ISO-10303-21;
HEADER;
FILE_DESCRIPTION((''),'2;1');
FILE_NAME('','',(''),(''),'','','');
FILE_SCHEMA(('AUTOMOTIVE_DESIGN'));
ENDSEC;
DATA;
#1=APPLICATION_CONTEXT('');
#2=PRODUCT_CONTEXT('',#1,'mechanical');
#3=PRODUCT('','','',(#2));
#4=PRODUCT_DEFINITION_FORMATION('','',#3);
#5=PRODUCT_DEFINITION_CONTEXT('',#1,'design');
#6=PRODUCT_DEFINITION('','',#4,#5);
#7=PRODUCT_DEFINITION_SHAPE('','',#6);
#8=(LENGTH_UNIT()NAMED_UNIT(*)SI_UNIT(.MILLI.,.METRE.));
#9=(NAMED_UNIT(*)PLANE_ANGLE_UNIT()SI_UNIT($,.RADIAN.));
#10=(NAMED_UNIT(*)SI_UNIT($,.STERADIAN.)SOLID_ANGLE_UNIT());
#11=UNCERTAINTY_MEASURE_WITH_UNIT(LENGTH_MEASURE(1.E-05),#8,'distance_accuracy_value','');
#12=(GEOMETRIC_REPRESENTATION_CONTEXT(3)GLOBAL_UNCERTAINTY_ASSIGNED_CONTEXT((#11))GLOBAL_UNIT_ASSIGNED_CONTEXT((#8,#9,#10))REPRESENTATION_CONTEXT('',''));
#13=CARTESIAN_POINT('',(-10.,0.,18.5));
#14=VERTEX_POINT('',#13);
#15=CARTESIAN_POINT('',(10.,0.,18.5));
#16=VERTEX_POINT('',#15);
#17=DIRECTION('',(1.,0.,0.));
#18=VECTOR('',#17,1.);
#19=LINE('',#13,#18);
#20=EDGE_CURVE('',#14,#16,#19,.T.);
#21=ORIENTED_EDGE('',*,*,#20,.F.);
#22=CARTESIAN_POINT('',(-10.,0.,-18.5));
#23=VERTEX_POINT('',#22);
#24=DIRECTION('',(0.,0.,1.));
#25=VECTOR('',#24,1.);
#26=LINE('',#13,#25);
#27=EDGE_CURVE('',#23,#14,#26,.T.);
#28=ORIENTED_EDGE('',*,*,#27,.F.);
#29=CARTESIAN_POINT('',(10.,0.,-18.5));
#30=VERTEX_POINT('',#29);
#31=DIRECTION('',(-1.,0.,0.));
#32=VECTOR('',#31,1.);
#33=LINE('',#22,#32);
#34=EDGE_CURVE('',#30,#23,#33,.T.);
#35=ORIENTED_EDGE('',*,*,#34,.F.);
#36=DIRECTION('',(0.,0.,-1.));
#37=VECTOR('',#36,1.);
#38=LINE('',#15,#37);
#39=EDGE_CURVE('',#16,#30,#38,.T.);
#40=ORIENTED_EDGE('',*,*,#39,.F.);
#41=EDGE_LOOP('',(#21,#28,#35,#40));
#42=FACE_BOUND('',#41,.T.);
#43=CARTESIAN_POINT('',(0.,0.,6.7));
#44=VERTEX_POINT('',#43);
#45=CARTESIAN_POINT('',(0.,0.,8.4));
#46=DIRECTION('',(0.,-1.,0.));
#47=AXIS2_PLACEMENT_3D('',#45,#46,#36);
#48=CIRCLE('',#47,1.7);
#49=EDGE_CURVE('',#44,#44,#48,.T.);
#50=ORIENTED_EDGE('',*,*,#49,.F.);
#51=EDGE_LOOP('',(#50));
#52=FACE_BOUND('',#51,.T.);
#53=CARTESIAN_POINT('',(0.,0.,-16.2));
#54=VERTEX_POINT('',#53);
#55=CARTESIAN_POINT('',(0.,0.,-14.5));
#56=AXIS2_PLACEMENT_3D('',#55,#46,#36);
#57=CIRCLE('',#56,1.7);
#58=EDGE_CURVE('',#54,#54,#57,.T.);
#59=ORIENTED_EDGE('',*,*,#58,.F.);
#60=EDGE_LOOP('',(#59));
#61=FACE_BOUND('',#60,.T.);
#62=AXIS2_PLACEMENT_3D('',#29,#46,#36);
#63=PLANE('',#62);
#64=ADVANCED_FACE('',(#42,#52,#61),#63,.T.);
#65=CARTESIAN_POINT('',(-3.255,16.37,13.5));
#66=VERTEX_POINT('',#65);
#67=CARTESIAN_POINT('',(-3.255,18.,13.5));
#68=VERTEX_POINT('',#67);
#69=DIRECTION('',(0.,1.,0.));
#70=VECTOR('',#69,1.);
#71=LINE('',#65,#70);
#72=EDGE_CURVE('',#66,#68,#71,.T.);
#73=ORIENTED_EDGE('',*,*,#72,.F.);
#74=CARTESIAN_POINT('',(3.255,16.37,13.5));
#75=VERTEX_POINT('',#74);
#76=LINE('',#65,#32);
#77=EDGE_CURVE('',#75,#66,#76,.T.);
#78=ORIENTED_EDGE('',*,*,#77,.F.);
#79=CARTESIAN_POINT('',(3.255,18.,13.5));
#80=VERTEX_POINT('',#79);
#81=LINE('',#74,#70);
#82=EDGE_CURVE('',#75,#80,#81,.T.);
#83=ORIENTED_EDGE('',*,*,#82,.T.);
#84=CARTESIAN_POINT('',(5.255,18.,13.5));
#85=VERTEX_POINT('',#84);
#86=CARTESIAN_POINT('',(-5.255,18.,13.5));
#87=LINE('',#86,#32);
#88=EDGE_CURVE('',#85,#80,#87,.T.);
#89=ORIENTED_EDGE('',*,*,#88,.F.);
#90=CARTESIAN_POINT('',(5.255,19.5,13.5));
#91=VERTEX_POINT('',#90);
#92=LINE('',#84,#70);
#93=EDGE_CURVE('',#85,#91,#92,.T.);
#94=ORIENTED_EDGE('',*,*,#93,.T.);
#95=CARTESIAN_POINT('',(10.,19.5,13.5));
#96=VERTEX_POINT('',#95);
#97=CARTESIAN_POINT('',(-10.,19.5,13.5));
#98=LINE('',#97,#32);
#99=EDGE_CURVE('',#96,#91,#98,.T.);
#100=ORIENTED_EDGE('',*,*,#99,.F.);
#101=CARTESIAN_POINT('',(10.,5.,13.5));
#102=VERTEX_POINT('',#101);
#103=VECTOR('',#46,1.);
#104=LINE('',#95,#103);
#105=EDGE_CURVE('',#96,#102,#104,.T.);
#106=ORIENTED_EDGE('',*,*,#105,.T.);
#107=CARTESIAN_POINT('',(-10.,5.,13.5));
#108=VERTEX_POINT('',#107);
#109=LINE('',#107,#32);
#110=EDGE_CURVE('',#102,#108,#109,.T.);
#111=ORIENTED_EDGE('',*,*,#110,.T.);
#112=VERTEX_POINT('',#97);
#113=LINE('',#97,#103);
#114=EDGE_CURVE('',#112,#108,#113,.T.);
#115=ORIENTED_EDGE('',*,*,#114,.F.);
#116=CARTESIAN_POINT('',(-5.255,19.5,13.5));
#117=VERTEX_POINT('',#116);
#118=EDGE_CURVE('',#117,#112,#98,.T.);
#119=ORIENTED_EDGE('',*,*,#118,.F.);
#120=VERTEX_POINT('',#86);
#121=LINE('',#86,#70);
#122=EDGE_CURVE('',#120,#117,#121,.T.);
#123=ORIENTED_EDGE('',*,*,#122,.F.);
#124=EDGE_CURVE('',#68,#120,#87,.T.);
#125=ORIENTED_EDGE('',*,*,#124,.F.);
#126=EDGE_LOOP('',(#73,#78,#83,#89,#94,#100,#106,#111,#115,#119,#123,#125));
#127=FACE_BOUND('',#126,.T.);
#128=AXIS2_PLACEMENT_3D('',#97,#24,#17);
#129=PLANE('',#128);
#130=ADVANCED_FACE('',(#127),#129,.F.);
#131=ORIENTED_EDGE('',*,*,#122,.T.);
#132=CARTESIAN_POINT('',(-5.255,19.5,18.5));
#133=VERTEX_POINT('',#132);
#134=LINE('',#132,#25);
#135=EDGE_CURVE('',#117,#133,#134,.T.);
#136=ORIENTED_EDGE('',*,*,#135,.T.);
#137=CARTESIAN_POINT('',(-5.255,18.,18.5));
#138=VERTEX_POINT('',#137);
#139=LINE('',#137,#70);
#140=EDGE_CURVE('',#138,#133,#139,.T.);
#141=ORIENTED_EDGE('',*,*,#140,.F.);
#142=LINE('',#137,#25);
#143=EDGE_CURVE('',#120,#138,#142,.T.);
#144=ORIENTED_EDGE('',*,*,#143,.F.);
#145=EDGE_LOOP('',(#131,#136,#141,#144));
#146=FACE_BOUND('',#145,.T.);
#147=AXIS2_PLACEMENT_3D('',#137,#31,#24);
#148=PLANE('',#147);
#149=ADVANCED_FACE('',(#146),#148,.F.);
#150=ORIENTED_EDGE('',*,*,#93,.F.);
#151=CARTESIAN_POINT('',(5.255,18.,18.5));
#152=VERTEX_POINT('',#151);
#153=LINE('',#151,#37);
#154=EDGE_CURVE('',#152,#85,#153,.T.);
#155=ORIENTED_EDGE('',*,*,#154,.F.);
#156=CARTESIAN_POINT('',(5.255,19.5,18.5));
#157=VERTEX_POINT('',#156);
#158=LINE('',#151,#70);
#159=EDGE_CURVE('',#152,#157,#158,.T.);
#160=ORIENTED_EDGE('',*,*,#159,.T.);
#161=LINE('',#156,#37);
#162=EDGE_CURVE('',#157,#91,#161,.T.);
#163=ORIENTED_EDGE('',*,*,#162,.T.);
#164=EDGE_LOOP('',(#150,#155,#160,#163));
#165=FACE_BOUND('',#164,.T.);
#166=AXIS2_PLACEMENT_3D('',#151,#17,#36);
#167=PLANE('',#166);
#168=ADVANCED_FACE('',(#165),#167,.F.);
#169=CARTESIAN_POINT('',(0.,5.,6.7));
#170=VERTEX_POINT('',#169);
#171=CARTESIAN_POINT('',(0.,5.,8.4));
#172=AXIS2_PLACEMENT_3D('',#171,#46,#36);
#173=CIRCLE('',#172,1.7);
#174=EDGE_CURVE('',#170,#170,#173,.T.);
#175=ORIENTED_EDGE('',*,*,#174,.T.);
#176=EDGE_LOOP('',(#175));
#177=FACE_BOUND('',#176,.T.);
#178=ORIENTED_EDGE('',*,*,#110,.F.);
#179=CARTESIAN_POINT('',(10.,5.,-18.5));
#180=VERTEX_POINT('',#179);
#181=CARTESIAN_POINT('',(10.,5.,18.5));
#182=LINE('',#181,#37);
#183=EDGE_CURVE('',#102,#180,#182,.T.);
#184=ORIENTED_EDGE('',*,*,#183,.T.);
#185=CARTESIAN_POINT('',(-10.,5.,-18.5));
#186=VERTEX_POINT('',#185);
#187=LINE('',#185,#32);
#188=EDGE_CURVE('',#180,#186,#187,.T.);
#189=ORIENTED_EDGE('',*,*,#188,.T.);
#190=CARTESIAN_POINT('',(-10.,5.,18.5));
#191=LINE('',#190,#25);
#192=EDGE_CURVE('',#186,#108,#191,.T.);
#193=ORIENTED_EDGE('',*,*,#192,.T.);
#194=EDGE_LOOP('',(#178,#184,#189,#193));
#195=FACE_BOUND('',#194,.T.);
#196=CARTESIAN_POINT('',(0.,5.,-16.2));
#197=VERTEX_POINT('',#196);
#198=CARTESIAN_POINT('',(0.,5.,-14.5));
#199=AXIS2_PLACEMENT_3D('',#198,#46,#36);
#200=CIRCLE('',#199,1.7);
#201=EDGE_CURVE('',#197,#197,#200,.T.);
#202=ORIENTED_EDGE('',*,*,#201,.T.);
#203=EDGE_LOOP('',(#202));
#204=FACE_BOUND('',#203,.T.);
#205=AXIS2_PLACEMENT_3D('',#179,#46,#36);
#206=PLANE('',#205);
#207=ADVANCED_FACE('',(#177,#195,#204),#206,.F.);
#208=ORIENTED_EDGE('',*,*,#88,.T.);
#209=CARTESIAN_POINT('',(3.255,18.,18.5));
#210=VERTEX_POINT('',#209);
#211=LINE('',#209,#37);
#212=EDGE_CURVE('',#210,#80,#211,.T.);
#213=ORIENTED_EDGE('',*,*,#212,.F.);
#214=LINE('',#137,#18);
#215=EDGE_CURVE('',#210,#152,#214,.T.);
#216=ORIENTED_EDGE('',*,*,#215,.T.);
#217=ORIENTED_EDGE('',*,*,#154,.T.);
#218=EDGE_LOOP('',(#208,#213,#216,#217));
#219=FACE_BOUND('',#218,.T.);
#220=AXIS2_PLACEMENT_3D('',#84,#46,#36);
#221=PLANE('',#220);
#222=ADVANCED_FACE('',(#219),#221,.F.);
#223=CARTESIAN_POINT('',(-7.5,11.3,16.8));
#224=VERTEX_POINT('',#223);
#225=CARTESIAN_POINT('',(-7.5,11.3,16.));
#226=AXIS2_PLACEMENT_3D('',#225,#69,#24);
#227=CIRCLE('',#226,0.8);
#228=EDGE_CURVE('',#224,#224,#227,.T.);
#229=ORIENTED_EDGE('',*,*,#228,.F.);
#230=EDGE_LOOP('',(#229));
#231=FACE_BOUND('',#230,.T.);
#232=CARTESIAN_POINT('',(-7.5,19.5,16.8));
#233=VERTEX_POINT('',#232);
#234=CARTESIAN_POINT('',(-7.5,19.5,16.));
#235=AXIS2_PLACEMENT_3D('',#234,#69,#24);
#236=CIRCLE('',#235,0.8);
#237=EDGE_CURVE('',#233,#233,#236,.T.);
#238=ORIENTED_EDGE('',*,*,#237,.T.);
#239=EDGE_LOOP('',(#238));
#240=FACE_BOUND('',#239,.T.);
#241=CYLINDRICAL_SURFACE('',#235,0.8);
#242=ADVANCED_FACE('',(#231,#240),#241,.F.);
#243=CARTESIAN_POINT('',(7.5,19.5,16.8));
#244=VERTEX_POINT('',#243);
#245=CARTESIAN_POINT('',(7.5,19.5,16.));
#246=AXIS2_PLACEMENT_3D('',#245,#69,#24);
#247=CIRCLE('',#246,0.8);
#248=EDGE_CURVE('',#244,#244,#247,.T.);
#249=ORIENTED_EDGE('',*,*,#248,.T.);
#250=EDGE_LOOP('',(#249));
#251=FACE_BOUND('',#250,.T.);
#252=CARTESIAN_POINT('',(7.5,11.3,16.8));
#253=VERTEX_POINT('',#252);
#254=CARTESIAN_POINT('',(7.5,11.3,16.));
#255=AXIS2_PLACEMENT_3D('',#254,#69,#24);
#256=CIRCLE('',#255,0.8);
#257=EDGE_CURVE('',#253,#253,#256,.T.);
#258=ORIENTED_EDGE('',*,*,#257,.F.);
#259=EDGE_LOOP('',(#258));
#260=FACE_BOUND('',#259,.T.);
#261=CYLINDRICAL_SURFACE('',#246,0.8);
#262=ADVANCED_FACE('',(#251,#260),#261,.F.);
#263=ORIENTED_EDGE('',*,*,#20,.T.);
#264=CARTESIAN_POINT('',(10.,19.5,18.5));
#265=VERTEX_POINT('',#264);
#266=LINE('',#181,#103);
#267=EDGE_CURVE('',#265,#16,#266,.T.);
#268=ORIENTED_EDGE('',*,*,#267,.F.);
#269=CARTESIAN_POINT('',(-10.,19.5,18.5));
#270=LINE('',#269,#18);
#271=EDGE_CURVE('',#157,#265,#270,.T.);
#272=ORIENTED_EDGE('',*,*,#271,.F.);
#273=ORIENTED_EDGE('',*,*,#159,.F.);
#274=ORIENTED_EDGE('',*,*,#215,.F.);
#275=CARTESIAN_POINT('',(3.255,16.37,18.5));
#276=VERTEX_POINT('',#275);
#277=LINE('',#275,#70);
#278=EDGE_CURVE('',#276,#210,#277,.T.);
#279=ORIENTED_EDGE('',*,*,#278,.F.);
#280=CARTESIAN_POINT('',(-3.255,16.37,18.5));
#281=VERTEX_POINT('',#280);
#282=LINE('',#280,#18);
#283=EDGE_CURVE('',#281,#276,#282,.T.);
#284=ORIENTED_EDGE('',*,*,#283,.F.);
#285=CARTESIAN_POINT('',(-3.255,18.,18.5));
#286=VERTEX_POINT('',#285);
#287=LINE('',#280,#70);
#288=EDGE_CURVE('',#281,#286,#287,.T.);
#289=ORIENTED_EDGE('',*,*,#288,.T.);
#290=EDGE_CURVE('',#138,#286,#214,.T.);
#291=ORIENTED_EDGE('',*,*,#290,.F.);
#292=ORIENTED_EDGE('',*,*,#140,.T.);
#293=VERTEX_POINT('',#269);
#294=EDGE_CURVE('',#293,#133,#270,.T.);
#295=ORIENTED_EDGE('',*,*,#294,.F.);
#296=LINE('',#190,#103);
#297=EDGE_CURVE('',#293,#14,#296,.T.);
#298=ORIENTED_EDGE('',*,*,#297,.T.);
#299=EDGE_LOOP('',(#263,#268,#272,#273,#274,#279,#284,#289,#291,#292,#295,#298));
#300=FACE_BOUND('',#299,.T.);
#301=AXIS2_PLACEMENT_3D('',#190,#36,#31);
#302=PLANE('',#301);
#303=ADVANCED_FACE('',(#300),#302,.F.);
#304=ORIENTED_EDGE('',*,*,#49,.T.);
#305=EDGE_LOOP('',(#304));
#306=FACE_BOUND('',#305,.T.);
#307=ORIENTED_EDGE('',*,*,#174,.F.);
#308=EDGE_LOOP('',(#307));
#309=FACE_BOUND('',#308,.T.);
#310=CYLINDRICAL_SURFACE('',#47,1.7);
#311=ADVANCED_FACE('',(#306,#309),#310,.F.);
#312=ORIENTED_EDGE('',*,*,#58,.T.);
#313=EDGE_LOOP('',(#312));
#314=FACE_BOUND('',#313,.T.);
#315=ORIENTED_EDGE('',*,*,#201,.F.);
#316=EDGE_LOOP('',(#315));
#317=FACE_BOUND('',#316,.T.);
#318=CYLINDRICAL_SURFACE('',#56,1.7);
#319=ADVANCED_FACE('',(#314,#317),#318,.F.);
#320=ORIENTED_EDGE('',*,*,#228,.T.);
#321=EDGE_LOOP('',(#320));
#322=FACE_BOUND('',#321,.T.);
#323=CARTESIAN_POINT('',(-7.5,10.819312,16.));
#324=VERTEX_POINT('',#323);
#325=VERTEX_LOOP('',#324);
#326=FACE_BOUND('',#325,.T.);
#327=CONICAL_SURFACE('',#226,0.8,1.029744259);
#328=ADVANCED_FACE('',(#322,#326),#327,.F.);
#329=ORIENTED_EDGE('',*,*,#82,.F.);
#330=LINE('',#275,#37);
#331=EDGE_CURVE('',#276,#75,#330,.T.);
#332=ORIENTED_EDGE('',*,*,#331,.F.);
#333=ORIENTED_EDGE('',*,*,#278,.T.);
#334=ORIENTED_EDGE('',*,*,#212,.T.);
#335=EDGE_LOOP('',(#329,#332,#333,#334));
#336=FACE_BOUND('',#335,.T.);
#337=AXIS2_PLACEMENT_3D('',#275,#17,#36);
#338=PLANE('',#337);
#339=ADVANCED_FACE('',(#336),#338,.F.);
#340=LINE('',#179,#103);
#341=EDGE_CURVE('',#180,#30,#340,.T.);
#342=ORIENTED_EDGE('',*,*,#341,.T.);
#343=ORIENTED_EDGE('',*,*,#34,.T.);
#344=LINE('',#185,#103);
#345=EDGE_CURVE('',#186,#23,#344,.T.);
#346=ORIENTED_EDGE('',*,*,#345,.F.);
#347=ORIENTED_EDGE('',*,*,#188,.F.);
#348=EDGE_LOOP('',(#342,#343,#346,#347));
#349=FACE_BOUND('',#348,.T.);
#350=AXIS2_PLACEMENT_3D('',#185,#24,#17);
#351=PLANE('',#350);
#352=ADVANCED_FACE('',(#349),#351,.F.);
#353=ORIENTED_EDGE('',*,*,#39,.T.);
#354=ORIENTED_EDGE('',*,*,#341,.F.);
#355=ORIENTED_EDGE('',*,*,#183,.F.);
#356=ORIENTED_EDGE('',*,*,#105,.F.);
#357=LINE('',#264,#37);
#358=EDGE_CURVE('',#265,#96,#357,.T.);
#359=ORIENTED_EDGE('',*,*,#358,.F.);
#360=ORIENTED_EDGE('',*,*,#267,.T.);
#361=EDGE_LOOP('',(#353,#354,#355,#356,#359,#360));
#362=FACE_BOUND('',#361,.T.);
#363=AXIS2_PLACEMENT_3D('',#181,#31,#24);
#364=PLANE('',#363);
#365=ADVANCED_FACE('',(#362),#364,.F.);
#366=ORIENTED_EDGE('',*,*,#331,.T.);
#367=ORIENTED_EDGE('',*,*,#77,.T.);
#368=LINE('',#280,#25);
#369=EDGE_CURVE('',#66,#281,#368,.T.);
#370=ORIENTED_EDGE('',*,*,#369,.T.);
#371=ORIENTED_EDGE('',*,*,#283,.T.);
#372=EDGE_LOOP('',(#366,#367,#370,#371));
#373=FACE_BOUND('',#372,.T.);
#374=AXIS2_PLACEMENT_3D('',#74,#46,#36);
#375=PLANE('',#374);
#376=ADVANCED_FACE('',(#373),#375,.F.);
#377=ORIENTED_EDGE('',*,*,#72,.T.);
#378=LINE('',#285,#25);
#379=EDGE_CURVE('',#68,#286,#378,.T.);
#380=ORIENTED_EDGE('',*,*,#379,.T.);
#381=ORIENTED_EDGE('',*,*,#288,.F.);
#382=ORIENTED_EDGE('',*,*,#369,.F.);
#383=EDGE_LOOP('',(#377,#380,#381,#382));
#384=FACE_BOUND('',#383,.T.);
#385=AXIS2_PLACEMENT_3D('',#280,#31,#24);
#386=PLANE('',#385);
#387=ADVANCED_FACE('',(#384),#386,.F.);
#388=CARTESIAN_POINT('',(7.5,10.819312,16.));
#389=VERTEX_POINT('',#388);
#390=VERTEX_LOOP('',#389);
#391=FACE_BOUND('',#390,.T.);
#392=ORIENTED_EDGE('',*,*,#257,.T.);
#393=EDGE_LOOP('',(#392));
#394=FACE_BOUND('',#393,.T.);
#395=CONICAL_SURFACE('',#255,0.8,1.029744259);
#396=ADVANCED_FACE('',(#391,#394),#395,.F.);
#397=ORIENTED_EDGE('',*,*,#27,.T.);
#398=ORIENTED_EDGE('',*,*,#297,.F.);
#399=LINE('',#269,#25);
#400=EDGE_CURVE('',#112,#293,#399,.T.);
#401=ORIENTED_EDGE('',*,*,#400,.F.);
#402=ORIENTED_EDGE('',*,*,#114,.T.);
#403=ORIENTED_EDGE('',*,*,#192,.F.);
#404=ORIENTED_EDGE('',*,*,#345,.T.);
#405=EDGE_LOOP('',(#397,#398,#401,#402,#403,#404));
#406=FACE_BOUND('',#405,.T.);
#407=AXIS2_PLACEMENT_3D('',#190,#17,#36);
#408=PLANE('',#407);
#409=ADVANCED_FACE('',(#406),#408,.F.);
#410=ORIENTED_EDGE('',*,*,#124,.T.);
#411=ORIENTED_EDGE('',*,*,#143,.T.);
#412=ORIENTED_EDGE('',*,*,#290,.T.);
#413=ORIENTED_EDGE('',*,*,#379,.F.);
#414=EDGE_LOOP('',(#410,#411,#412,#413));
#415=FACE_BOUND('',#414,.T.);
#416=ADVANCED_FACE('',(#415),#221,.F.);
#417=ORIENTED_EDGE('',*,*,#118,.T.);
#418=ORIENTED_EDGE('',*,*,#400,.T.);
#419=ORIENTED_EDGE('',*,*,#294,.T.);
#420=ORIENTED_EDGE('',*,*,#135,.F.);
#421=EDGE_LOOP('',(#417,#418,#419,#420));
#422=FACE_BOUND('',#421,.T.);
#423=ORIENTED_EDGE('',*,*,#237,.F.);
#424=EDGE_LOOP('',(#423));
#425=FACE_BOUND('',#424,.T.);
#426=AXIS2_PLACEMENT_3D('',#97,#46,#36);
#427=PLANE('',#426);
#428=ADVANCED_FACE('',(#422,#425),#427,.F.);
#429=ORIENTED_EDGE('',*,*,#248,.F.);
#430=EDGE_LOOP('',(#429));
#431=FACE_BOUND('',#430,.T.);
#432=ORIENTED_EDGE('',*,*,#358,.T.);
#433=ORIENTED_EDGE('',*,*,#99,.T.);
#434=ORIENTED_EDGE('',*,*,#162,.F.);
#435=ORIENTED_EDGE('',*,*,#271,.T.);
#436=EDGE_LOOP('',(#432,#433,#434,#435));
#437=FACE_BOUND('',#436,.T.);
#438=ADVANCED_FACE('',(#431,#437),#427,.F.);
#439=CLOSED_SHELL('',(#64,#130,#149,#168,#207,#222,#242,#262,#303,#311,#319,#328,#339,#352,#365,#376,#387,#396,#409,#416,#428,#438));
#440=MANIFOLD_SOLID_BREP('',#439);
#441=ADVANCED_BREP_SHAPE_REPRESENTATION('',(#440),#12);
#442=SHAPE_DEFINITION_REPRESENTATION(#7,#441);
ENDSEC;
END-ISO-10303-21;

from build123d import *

# Parameters (mm, degrees)
SKETCH2_W                  = 20
SKETCH2_H                  = 37
EXTRUDE1_DEPTH             = 5
F_3_4_3_4_DIAMETER_HOLE1_D = 3.4
LPATTERN1_COUNT            = 2
LPATTERN1_PITCH            = 22.9
SKETCH5_W                  = 20
SKETCH5_H                  = 5
EXTRUDE2_DEPTH             = 14.5
LPATTERN2_COUNT            = 2
LPATTERN2_PITCH            = 15
SKETCH6_W                  = 10.51
SKETCH6_H                  = 5
EXTRUDE3_DEPTH             = 1.5
SKETCH7_W                  = 6.51
SKETCH7_H                  = 5
EXTRUDE4_DEPTH             = 1.63


with BuildPart() as part:
    # Sketch2 → Extrude1 (new body)
    with BuildSketch(Plane(origin=(0, 0, 0), x_dir=(1, 0, 0), z_dir=(0, 1, 0))):
        Rectangle(SKETCH2_W, SKETCH2_H)
    extrude(amount=EXTRUDE1_DEPTH)

    # Ø3.4 (3.4) Diameter Hole1 (through all)
    with Locations(Plane(origin=(0, 0, -14.5), x_dir=(0, 0, -1), z_dir=(0, -1, 0))):
        with Locations((0, 0)):
            f_3_4_3_4_diameter_hole1 = Hole(F_3_4_3_4_DIAMETER_HOLE1_D / 2)

    # LPattern1: Ø3.4 (3.4) Diameter Hole1 ×2
    with Locations(*[(0, 0, i * LPATTERN1_PITCH) for i in range(1, LPATTERN1_COUNT)]):
        add(f_3_4_3_4_diameter_hole1, mode=Mode.SUBTRACT)

    # Sketch5 → Extrude2 (add)
    with BuildSketch(Plane(origin=(0, 5, 0), x_dir=(1, 0, 0), z_dir=(0, 1, 0))):
        with Locations((0, -16)):
            Rectangle(SKETCH5_W, SKETCH5_H)
    extrude(amount=EXTRUDE2_DEPTH)

    # Sketch10 → M2x0.4 Tapped Hole1 (revolve, cut)
    with BuildSketch(Plane(origin=(-7.5, 19.5, 16), x_dir=(0, 0, 1), z_dir=(1, 0, 0))):
        Polygon((0, 0), (0, 8.680688495), (0.8, 8.2), (0.8, 0), align=None)
    m2x0_4_tapped_hole1 = revolve(axis=Axis((-7.5, 25.85, 16), (0, -1, 0)), mode=Mode.SUBTRACT)

    # LPattern2: M2x0.4 Tapped Hole1 ×2
    with Locations(*[(i * LPATTERN2_PITCH, 0, 0) for i in range(1, LPATTERN2_COUNT)]):
        add(m2x0_4_tapped_hole1, mode=Mode.SUBTRACT)

    # Sketch6 → Extrude3 (cut)
    with BuildSketch(Plane(origin=(0, 19.5, 0), x_dir=(-1, 0, 0), z_dir=(0, 1, 0))):
        with Locations((0, 16)):
            Rectangle(SKETCH6_W, SKETCH6_H)
    extrude(amount=-EXTRUDE3_DEPTH, mode=Mode.SUBTRACT)

    # Sketch7 → Extrude4 (cut)
    with BuildSketch(Plane(origin=(0, 18, 0), x_dir=(-1, 0, 0), z_dir=(0, 1, 0))):
        with Locations((0, 16)):
            Rectangle(SKETCH7_W, SKETCH7_H)
    extrude(amount=-EXTRUDE4_DEPTH, mode=Mode.SUBTRACT)


solid = part.part
